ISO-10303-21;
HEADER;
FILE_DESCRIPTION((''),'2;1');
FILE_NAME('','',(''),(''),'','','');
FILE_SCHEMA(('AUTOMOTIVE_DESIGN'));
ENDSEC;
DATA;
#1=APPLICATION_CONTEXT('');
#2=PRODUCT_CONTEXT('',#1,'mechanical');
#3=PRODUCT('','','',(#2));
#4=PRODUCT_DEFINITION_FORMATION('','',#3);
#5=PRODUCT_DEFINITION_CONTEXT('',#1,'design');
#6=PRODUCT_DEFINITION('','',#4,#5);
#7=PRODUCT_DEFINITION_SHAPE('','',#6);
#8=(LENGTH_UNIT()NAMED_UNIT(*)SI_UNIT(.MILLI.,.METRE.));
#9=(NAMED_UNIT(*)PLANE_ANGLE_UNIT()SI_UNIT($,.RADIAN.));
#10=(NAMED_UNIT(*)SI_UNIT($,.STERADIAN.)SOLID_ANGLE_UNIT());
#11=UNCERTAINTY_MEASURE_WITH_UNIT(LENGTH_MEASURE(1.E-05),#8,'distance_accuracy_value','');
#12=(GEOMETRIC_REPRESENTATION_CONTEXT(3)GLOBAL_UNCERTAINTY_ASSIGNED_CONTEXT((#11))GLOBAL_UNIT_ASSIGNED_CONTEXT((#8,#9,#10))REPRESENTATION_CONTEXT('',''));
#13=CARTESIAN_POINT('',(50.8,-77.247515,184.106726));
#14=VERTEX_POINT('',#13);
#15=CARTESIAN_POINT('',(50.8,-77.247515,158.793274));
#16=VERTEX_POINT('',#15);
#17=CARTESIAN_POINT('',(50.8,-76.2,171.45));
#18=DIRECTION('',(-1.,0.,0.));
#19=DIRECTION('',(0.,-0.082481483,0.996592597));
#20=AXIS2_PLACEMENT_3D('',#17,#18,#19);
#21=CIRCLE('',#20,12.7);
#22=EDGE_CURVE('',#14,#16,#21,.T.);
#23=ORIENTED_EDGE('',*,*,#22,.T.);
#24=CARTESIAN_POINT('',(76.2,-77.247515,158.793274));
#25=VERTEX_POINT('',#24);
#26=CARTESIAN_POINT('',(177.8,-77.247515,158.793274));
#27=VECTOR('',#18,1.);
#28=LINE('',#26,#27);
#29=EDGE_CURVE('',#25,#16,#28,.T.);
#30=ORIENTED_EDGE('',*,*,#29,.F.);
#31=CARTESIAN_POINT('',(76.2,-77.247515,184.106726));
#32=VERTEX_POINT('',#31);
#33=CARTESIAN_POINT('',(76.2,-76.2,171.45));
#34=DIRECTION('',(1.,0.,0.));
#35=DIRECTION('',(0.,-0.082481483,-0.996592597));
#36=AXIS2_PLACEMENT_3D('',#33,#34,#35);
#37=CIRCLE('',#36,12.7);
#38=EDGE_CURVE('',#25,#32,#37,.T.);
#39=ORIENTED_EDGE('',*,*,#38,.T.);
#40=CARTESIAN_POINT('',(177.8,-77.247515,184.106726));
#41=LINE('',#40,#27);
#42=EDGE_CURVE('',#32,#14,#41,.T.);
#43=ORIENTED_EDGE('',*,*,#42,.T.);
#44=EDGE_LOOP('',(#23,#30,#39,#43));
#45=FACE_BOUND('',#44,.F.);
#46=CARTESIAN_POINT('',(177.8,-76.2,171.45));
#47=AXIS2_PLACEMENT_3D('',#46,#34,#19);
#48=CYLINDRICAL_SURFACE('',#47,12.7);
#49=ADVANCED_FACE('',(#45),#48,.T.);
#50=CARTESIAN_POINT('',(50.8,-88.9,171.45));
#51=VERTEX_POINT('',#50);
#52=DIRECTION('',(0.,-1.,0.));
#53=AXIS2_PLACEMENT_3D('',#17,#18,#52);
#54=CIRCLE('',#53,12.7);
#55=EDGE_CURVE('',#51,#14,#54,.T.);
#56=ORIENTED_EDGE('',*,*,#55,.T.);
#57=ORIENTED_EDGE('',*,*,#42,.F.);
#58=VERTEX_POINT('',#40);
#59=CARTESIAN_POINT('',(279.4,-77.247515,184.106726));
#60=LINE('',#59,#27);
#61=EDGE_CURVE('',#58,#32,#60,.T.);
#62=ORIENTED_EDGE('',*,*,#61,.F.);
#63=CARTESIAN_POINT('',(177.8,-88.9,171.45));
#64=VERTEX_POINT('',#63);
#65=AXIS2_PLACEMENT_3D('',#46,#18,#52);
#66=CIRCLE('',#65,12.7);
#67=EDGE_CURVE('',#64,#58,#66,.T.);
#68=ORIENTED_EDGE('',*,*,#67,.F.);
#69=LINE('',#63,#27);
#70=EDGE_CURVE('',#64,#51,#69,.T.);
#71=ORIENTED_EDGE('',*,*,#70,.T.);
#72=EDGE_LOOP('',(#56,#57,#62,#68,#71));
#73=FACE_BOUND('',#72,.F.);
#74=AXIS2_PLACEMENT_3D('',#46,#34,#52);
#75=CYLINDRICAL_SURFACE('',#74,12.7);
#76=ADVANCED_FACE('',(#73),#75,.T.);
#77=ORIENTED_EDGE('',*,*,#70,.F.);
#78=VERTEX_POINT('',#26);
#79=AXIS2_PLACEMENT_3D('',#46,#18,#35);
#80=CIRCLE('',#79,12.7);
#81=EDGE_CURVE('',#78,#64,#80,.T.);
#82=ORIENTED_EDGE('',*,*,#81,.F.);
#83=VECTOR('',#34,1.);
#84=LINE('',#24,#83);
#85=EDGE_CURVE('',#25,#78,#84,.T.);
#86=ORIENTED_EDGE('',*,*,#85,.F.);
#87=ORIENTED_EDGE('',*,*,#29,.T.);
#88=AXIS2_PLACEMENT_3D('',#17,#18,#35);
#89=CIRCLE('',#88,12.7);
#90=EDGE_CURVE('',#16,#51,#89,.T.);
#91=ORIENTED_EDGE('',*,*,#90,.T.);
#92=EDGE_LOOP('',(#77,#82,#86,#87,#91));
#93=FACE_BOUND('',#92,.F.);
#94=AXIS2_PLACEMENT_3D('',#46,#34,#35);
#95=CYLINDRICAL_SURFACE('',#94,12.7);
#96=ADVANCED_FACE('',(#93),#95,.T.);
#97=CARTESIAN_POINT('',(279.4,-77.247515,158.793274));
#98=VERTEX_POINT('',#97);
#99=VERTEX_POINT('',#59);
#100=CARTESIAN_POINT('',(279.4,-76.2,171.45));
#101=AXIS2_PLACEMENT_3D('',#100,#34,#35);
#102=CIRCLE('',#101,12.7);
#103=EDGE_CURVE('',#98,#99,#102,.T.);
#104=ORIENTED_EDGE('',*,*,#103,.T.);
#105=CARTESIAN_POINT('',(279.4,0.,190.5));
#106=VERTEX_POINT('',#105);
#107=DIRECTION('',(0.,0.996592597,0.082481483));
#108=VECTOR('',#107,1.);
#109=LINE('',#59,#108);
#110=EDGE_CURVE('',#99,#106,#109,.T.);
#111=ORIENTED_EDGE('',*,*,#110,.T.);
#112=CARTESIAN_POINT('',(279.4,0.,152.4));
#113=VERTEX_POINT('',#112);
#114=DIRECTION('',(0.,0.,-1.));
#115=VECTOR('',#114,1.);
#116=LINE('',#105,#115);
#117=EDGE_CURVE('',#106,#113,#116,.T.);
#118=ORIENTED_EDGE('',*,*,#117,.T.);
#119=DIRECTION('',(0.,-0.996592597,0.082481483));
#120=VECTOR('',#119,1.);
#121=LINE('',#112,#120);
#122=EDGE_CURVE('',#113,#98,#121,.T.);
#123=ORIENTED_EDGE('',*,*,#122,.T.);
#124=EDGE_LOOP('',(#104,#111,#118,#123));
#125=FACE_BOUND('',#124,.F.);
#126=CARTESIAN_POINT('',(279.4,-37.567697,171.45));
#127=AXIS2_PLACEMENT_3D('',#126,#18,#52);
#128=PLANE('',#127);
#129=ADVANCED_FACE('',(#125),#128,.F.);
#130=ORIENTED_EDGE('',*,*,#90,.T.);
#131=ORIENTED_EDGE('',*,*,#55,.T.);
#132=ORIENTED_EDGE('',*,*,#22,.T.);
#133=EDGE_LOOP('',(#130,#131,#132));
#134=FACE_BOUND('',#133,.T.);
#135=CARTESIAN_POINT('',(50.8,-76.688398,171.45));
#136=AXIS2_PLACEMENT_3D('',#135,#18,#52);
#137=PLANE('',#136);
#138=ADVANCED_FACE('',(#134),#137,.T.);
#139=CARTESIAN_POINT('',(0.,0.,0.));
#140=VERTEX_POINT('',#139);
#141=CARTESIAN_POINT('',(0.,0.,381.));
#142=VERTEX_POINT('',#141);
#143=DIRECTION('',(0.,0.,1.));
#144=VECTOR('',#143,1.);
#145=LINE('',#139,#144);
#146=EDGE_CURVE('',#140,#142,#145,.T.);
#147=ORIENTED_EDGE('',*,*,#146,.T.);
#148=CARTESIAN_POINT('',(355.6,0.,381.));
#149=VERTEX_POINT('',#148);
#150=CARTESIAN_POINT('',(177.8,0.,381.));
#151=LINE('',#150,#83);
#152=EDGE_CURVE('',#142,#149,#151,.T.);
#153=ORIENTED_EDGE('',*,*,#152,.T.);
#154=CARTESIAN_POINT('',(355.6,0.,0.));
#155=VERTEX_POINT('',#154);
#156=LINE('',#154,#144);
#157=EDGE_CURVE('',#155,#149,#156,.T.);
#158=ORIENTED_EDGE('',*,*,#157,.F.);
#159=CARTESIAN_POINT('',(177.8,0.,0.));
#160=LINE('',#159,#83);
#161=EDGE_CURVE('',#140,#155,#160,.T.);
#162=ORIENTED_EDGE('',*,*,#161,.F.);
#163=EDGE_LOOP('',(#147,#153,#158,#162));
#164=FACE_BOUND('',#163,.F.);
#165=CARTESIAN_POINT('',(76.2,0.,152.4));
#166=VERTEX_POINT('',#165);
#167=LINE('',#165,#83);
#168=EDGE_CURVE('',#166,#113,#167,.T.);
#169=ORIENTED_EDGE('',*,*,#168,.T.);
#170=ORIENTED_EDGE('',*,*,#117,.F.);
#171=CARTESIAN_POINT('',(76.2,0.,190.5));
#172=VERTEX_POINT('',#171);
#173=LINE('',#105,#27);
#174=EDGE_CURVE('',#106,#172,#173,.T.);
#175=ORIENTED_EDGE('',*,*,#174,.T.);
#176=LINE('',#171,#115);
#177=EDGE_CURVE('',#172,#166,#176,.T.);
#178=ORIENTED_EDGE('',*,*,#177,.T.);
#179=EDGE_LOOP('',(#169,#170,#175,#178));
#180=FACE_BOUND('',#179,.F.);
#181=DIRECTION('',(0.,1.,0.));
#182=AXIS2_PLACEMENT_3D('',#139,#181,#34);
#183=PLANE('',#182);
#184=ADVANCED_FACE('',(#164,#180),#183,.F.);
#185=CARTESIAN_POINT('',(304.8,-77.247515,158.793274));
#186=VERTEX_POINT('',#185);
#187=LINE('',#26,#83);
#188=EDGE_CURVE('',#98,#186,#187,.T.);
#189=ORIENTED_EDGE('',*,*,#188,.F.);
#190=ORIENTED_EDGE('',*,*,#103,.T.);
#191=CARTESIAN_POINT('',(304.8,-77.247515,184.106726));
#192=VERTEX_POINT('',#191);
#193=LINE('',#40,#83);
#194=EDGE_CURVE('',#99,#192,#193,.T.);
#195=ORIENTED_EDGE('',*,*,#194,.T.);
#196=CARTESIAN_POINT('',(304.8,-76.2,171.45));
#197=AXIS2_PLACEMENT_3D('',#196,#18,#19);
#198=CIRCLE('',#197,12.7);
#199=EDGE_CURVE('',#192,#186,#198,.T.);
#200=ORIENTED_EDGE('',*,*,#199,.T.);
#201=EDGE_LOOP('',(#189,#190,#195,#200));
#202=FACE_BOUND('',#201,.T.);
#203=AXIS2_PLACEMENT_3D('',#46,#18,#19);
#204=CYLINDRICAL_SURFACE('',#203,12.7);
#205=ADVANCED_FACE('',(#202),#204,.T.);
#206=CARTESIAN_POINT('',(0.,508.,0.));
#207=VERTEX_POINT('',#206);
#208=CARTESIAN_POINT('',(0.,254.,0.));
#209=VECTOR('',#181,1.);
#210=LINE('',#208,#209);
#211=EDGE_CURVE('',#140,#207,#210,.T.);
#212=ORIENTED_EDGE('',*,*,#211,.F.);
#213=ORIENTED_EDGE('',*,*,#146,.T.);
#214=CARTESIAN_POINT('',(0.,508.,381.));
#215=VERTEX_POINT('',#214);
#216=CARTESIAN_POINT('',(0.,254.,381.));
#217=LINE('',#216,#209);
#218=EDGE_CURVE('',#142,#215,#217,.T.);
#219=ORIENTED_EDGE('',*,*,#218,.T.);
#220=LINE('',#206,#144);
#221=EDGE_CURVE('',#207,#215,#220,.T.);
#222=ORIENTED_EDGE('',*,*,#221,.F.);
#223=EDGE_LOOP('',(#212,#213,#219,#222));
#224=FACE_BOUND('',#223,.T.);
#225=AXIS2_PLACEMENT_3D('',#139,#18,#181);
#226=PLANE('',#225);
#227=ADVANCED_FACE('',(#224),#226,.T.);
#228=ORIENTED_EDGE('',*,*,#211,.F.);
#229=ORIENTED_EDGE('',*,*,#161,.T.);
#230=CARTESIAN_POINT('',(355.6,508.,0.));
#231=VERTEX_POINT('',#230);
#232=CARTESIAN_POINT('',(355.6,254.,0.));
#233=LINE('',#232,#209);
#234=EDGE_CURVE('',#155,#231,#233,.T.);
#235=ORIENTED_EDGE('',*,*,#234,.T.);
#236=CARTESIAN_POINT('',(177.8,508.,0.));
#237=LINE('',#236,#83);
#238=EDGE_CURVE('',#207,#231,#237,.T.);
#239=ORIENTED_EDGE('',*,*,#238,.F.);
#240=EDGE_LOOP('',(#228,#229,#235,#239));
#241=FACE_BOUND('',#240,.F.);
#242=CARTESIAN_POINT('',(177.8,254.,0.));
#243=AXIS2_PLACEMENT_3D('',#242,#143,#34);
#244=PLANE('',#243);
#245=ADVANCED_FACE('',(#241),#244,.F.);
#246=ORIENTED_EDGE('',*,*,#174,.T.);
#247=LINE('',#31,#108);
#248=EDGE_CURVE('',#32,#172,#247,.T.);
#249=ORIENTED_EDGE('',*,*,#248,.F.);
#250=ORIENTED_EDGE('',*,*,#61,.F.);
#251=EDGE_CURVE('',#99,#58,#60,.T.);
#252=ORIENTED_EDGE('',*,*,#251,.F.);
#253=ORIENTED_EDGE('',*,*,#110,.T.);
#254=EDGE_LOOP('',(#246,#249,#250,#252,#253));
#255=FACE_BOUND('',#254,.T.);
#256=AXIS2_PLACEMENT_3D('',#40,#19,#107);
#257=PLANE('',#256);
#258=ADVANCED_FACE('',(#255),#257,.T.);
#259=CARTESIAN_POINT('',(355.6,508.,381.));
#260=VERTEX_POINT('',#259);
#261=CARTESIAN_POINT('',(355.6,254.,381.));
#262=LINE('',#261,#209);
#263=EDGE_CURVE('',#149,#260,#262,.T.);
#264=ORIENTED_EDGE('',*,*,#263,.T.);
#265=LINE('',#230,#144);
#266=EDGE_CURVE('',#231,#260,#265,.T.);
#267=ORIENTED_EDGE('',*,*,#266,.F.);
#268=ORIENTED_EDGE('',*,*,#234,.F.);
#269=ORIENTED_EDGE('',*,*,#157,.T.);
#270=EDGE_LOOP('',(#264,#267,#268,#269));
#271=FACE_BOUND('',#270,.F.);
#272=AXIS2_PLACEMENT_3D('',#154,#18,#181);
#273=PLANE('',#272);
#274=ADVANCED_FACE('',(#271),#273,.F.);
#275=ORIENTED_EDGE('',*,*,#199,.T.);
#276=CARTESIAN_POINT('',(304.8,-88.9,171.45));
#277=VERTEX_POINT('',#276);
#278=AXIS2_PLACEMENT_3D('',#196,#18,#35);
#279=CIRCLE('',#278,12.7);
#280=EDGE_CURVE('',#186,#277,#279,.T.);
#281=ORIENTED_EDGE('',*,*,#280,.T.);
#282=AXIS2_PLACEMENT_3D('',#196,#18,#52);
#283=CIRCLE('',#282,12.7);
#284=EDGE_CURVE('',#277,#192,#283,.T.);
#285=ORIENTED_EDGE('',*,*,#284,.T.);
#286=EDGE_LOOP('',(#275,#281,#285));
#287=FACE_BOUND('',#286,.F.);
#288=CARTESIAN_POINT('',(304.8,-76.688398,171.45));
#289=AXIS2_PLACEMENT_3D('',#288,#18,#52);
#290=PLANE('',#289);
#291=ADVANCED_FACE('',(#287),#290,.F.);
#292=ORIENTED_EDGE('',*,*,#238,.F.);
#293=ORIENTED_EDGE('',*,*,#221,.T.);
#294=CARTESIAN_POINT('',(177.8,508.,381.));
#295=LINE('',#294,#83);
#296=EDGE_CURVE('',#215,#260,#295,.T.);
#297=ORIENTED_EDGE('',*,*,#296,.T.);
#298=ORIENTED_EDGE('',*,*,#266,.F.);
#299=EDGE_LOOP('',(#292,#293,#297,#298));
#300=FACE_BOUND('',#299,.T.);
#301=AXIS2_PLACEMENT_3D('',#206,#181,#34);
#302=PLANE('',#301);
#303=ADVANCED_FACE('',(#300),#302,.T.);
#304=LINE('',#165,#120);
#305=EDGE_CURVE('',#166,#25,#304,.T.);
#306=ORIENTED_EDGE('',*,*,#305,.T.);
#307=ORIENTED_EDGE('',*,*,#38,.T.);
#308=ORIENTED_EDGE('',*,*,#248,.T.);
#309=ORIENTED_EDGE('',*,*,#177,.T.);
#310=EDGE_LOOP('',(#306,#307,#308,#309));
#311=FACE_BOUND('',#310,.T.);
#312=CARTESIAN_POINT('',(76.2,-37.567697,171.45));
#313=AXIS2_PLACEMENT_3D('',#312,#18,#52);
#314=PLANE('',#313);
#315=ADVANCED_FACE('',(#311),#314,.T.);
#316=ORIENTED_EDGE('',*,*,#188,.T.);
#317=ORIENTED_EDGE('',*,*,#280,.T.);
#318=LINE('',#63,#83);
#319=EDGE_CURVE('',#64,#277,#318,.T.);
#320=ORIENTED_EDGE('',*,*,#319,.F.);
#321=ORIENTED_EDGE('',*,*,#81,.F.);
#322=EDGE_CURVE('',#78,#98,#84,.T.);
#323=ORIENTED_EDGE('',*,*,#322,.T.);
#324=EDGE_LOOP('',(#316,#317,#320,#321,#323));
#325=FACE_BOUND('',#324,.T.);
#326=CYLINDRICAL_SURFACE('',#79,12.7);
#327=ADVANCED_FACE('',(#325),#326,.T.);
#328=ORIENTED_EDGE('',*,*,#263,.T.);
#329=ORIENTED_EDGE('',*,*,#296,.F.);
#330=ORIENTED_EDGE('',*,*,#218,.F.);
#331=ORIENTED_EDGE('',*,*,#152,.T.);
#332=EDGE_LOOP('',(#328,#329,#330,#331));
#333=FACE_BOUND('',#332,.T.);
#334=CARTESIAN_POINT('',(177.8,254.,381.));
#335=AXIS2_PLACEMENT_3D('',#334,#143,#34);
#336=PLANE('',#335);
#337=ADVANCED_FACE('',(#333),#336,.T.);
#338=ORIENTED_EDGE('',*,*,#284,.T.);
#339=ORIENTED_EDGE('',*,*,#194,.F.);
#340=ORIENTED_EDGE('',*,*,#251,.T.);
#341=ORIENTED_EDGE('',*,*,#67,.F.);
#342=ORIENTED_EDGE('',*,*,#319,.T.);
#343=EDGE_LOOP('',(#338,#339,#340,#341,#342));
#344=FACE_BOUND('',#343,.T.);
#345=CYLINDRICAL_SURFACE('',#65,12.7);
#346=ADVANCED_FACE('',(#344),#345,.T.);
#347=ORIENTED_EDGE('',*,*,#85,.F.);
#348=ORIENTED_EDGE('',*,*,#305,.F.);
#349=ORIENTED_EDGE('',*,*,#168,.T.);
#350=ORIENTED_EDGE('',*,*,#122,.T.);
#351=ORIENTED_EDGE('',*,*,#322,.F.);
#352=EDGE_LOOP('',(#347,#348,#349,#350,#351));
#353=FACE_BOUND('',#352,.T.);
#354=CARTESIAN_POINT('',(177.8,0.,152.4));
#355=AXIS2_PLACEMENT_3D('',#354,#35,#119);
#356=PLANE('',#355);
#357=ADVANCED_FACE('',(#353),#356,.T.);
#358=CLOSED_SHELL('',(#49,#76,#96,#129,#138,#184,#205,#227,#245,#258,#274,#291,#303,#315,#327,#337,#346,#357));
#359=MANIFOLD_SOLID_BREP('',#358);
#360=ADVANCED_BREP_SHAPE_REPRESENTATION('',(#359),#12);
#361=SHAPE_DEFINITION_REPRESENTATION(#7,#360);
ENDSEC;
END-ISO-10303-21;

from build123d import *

# Parameters (mm, degrees)
F0_W          = 355.6
F0_H          = 508
F1_DEPTH      = 381
F4_DEPTH      = 101.6
F4_DEPTH_BACK = 101.6
F5_DEPTH      = 127
F5_DEPTH_BACK = 127


with BuildPart() as f1:
    # F0 (on Top) → F1 (new body)
    with BuildSketch(Plane.XY):
        with Locations((177.8, 254)):
            Rectangle(F0_W, F0_H)
    extrude(amount=F1_DEPTH)

    # F3 (on mid) → F4 (join, two sides)
    with BuildSketch(Plane(origin=(177.8, 0, 0), x_dir=(0, -1, 0), z_dir=(-1, 0, 0))) as f4_sk:
        with BuildLine():
            ThreePointArc((77.2475148298, 158.7932740141), (63.5, 171.45), (77.2475148298, 184.1067259859))
            Line((77.2475148298, 184.1067259859), (0, 190.5))
            Line((0, 190.5), (0, 152.4))
            Line((0, 152.4), (77.2475148298, 158.7932740141))
        make_face()
    extrude(amount=F4_DEPTH)
    extrude(f4_sk.sketch, amount=-F4_DEPTH_BACK)

    # F3 (on mid) → F5 (join, two sides)
    with BuildSketch(Plane(origin=(177.8, 0, 0), x_dir=(0, -1, 0), z_dir=(-1, 0, 0))) as f5_sk:
        with BuildLine():
            ThreePointArc((77.2475148298, 158.7932740141), (85.5432713312, 162.8480652856), (88.9, 171.45))
            ThreePointArc((88.9, 171.45), (85.5432713312, 180.0519347144), (77.2475148298, 184.1067259859))
            ThreePointArc((77.2475148298, 184.1067259859), (63.5, 171.45), (77.2475148298, 158.7932740141))
        make_face()
    extrude(amount=F5_DEPTH)
    extrude(f5_sk.sketch, amount=-F5_DEPTH_BACK)


solid = f1.part
